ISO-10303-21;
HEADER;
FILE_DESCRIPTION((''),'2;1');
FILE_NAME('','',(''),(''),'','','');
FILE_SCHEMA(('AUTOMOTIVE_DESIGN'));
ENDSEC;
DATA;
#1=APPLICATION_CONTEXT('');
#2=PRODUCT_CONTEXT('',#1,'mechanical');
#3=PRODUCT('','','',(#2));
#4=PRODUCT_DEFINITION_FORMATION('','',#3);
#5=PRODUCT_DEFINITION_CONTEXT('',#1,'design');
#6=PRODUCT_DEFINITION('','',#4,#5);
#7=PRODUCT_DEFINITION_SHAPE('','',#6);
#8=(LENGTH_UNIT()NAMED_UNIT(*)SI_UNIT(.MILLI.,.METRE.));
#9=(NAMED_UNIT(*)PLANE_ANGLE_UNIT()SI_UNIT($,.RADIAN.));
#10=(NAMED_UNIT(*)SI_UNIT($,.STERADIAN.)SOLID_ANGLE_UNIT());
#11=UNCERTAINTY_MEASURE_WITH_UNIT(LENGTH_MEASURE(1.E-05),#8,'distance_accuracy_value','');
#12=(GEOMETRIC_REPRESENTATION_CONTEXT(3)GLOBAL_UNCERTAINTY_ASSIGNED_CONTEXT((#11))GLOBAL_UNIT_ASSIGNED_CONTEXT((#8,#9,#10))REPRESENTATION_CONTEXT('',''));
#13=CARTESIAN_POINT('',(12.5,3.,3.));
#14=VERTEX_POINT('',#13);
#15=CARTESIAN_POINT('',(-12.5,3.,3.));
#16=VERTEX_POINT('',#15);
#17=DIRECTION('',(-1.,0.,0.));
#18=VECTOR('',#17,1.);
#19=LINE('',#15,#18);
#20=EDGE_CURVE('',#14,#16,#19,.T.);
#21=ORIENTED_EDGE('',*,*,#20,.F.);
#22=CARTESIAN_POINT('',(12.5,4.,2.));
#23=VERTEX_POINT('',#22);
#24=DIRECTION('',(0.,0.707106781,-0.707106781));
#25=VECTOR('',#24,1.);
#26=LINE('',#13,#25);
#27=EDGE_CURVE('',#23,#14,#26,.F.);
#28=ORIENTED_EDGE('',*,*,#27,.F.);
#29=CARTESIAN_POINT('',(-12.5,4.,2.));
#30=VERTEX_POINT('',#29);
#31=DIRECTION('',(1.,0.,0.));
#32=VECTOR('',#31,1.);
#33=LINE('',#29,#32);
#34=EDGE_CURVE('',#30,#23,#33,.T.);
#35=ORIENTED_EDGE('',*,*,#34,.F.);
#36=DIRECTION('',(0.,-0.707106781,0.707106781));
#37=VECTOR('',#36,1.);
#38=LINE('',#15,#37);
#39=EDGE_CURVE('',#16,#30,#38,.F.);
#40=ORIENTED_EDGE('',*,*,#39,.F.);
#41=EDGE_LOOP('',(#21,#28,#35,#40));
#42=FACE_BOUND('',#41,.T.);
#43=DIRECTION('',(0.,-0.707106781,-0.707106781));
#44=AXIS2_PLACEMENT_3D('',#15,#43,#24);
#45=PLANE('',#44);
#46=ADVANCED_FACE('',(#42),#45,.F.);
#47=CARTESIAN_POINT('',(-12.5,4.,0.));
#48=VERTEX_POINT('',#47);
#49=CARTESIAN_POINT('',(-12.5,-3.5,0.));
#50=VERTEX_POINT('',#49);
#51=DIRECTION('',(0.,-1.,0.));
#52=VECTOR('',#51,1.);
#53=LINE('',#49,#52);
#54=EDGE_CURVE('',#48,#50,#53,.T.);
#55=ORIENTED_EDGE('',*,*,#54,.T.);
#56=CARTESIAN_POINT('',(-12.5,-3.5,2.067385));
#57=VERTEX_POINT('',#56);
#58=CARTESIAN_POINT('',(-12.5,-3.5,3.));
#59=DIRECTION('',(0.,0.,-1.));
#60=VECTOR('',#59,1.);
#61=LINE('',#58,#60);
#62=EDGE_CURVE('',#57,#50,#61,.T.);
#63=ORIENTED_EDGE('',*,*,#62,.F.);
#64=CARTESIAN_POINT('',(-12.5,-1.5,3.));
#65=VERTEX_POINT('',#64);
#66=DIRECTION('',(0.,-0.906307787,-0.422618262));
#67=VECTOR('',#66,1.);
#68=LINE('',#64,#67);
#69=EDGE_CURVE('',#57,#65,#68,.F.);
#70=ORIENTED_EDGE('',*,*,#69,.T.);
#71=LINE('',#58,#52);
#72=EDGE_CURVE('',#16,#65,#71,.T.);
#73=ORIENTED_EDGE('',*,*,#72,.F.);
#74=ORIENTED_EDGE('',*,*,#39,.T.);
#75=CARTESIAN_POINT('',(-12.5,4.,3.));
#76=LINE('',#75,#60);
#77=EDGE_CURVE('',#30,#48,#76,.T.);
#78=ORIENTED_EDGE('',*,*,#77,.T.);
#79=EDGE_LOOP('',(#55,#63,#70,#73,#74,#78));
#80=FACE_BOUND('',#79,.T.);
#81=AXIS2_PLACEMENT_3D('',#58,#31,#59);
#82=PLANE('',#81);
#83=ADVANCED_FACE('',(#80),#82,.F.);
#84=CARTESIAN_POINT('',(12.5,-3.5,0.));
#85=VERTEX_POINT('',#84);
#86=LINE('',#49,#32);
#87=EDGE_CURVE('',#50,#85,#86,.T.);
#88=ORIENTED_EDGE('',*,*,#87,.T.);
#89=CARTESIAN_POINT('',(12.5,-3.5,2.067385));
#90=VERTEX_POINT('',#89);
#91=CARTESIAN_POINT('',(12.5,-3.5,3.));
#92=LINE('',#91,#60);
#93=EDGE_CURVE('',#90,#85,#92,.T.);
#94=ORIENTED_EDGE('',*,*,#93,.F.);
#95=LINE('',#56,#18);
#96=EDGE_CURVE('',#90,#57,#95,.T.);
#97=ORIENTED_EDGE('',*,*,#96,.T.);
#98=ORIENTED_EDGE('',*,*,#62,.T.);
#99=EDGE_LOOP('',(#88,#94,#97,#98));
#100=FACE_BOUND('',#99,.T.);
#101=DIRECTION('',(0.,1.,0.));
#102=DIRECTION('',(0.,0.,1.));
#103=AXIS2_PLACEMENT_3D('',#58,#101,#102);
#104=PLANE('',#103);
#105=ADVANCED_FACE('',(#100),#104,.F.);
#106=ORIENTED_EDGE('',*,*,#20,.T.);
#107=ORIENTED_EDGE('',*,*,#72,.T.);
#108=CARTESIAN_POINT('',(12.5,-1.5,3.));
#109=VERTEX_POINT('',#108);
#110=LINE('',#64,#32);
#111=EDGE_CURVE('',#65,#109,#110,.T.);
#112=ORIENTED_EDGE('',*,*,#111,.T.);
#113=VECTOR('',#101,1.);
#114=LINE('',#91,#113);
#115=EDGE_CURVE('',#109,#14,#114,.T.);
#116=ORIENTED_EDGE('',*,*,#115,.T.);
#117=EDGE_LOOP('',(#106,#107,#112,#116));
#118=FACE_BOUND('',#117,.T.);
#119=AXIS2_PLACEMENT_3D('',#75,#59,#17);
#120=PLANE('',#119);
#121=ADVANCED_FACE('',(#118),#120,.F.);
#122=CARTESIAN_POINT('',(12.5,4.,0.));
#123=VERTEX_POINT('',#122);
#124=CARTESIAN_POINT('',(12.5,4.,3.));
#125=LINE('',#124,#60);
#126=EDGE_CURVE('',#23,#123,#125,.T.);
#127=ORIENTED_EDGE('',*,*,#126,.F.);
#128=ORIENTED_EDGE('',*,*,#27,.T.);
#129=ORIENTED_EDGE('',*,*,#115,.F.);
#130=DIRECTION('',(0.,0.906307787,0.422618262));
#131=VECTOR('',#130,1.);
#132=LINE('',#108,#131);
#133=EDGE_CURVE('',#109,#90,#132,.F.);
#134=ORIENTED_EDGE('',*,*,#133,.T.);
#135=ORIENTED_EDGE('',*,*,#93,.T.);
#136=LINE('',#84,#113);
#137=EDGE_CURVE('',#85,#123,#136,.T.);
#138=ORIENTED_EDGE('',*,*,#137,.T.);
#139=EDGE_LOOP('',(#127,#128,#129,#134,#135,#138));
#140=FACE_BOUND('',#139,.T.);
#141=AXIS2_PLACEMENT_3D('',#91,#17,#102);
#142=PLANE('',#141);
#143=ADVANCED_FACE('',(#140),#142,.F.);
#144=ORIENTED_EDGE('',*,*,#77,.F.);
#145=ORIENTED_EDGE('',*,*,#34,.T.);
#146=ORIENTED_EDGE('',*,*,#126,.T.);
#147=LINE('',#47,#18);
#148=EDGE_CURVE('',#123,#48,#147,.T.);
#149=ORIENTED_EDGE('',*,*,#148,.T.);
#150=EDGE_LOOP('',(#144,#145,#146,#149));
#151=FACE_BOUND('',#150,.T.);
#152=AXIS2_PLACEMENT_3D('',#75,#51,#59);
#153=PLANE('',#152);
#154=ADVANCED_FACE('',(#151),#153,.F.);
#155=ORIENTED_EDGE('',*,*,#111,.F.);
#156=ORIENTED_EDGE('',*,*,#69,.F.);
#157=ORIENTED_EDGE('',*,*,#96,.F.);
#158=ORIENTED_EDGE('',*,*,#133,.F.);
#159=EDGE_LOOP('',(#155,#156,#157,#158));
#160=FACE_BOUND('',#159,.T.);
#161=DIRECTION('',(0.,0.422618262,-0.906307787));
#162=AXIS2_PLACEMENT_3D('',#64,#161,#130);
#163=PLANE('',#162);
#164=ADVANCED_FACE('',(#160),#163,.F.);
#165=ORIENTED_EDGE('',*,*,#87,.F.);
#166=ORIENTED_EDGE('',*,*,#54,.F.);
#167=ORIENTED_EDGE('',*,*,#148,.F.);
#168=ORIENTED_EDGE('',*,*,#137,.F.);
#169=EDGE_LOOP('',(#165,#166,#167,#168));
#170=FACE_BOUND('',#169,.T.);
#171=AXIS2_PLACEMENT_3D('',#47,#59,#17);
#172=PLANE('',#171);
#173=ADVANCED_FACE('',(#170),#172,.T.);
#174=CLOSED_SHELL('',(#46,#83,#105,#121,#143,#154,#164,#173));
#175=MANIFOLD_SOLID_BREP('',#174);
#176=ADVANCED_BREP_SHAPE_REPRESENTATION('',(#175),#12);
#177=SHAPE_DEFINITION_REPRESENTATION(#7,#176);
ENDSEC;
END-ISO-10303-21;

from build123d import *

# Parameters (mm, degrees)
SKETCH_1_W      = 25
SKETCH_1_H      = 7.5
EXTRUDE_1_DEPTH = 3
CHAMFER_1_SIZE  = 1
CHAMFER_2_SIZE  = 2
CHAMFER_2_SIZE2 = 0.932615316


with BuildPart() as part:
    # Эскиз1 → Вытянуть1 (new body)
    with BuildSketch(Plane.XY):
        with Locations((0, 0.25)):
            Rectangle(SKETCH_1_W, SKETCH_1_H)
    extrude(amount=EXTRUDE_1_DEPTH)

    # Фаска1
    chamfer_1_edges = [part.edges().sort_by_distance(p)[0] for p in [
        (0, 4, 3),
    ]]
    chamfer(chamfer_1_edges, length=CHAMFER_1_SIZE)

    # Фаска2
    chamfer_2_edges = [part.edges().sort_by_distance(p)[0] for p in [
        (0, -3.5, 3),
    ]]
    chamfer_2_side = [part.faces().sort_by_distance(p)[0] for p in [
        (0, -0.25, 3),
    ]]
    chamfer(chamfer_2_edges, length=CHAMFER_2_SIZE, length2=CHAMFER_2_SIZE2, reference=chamfer_2_side[0])


solid = part.part
